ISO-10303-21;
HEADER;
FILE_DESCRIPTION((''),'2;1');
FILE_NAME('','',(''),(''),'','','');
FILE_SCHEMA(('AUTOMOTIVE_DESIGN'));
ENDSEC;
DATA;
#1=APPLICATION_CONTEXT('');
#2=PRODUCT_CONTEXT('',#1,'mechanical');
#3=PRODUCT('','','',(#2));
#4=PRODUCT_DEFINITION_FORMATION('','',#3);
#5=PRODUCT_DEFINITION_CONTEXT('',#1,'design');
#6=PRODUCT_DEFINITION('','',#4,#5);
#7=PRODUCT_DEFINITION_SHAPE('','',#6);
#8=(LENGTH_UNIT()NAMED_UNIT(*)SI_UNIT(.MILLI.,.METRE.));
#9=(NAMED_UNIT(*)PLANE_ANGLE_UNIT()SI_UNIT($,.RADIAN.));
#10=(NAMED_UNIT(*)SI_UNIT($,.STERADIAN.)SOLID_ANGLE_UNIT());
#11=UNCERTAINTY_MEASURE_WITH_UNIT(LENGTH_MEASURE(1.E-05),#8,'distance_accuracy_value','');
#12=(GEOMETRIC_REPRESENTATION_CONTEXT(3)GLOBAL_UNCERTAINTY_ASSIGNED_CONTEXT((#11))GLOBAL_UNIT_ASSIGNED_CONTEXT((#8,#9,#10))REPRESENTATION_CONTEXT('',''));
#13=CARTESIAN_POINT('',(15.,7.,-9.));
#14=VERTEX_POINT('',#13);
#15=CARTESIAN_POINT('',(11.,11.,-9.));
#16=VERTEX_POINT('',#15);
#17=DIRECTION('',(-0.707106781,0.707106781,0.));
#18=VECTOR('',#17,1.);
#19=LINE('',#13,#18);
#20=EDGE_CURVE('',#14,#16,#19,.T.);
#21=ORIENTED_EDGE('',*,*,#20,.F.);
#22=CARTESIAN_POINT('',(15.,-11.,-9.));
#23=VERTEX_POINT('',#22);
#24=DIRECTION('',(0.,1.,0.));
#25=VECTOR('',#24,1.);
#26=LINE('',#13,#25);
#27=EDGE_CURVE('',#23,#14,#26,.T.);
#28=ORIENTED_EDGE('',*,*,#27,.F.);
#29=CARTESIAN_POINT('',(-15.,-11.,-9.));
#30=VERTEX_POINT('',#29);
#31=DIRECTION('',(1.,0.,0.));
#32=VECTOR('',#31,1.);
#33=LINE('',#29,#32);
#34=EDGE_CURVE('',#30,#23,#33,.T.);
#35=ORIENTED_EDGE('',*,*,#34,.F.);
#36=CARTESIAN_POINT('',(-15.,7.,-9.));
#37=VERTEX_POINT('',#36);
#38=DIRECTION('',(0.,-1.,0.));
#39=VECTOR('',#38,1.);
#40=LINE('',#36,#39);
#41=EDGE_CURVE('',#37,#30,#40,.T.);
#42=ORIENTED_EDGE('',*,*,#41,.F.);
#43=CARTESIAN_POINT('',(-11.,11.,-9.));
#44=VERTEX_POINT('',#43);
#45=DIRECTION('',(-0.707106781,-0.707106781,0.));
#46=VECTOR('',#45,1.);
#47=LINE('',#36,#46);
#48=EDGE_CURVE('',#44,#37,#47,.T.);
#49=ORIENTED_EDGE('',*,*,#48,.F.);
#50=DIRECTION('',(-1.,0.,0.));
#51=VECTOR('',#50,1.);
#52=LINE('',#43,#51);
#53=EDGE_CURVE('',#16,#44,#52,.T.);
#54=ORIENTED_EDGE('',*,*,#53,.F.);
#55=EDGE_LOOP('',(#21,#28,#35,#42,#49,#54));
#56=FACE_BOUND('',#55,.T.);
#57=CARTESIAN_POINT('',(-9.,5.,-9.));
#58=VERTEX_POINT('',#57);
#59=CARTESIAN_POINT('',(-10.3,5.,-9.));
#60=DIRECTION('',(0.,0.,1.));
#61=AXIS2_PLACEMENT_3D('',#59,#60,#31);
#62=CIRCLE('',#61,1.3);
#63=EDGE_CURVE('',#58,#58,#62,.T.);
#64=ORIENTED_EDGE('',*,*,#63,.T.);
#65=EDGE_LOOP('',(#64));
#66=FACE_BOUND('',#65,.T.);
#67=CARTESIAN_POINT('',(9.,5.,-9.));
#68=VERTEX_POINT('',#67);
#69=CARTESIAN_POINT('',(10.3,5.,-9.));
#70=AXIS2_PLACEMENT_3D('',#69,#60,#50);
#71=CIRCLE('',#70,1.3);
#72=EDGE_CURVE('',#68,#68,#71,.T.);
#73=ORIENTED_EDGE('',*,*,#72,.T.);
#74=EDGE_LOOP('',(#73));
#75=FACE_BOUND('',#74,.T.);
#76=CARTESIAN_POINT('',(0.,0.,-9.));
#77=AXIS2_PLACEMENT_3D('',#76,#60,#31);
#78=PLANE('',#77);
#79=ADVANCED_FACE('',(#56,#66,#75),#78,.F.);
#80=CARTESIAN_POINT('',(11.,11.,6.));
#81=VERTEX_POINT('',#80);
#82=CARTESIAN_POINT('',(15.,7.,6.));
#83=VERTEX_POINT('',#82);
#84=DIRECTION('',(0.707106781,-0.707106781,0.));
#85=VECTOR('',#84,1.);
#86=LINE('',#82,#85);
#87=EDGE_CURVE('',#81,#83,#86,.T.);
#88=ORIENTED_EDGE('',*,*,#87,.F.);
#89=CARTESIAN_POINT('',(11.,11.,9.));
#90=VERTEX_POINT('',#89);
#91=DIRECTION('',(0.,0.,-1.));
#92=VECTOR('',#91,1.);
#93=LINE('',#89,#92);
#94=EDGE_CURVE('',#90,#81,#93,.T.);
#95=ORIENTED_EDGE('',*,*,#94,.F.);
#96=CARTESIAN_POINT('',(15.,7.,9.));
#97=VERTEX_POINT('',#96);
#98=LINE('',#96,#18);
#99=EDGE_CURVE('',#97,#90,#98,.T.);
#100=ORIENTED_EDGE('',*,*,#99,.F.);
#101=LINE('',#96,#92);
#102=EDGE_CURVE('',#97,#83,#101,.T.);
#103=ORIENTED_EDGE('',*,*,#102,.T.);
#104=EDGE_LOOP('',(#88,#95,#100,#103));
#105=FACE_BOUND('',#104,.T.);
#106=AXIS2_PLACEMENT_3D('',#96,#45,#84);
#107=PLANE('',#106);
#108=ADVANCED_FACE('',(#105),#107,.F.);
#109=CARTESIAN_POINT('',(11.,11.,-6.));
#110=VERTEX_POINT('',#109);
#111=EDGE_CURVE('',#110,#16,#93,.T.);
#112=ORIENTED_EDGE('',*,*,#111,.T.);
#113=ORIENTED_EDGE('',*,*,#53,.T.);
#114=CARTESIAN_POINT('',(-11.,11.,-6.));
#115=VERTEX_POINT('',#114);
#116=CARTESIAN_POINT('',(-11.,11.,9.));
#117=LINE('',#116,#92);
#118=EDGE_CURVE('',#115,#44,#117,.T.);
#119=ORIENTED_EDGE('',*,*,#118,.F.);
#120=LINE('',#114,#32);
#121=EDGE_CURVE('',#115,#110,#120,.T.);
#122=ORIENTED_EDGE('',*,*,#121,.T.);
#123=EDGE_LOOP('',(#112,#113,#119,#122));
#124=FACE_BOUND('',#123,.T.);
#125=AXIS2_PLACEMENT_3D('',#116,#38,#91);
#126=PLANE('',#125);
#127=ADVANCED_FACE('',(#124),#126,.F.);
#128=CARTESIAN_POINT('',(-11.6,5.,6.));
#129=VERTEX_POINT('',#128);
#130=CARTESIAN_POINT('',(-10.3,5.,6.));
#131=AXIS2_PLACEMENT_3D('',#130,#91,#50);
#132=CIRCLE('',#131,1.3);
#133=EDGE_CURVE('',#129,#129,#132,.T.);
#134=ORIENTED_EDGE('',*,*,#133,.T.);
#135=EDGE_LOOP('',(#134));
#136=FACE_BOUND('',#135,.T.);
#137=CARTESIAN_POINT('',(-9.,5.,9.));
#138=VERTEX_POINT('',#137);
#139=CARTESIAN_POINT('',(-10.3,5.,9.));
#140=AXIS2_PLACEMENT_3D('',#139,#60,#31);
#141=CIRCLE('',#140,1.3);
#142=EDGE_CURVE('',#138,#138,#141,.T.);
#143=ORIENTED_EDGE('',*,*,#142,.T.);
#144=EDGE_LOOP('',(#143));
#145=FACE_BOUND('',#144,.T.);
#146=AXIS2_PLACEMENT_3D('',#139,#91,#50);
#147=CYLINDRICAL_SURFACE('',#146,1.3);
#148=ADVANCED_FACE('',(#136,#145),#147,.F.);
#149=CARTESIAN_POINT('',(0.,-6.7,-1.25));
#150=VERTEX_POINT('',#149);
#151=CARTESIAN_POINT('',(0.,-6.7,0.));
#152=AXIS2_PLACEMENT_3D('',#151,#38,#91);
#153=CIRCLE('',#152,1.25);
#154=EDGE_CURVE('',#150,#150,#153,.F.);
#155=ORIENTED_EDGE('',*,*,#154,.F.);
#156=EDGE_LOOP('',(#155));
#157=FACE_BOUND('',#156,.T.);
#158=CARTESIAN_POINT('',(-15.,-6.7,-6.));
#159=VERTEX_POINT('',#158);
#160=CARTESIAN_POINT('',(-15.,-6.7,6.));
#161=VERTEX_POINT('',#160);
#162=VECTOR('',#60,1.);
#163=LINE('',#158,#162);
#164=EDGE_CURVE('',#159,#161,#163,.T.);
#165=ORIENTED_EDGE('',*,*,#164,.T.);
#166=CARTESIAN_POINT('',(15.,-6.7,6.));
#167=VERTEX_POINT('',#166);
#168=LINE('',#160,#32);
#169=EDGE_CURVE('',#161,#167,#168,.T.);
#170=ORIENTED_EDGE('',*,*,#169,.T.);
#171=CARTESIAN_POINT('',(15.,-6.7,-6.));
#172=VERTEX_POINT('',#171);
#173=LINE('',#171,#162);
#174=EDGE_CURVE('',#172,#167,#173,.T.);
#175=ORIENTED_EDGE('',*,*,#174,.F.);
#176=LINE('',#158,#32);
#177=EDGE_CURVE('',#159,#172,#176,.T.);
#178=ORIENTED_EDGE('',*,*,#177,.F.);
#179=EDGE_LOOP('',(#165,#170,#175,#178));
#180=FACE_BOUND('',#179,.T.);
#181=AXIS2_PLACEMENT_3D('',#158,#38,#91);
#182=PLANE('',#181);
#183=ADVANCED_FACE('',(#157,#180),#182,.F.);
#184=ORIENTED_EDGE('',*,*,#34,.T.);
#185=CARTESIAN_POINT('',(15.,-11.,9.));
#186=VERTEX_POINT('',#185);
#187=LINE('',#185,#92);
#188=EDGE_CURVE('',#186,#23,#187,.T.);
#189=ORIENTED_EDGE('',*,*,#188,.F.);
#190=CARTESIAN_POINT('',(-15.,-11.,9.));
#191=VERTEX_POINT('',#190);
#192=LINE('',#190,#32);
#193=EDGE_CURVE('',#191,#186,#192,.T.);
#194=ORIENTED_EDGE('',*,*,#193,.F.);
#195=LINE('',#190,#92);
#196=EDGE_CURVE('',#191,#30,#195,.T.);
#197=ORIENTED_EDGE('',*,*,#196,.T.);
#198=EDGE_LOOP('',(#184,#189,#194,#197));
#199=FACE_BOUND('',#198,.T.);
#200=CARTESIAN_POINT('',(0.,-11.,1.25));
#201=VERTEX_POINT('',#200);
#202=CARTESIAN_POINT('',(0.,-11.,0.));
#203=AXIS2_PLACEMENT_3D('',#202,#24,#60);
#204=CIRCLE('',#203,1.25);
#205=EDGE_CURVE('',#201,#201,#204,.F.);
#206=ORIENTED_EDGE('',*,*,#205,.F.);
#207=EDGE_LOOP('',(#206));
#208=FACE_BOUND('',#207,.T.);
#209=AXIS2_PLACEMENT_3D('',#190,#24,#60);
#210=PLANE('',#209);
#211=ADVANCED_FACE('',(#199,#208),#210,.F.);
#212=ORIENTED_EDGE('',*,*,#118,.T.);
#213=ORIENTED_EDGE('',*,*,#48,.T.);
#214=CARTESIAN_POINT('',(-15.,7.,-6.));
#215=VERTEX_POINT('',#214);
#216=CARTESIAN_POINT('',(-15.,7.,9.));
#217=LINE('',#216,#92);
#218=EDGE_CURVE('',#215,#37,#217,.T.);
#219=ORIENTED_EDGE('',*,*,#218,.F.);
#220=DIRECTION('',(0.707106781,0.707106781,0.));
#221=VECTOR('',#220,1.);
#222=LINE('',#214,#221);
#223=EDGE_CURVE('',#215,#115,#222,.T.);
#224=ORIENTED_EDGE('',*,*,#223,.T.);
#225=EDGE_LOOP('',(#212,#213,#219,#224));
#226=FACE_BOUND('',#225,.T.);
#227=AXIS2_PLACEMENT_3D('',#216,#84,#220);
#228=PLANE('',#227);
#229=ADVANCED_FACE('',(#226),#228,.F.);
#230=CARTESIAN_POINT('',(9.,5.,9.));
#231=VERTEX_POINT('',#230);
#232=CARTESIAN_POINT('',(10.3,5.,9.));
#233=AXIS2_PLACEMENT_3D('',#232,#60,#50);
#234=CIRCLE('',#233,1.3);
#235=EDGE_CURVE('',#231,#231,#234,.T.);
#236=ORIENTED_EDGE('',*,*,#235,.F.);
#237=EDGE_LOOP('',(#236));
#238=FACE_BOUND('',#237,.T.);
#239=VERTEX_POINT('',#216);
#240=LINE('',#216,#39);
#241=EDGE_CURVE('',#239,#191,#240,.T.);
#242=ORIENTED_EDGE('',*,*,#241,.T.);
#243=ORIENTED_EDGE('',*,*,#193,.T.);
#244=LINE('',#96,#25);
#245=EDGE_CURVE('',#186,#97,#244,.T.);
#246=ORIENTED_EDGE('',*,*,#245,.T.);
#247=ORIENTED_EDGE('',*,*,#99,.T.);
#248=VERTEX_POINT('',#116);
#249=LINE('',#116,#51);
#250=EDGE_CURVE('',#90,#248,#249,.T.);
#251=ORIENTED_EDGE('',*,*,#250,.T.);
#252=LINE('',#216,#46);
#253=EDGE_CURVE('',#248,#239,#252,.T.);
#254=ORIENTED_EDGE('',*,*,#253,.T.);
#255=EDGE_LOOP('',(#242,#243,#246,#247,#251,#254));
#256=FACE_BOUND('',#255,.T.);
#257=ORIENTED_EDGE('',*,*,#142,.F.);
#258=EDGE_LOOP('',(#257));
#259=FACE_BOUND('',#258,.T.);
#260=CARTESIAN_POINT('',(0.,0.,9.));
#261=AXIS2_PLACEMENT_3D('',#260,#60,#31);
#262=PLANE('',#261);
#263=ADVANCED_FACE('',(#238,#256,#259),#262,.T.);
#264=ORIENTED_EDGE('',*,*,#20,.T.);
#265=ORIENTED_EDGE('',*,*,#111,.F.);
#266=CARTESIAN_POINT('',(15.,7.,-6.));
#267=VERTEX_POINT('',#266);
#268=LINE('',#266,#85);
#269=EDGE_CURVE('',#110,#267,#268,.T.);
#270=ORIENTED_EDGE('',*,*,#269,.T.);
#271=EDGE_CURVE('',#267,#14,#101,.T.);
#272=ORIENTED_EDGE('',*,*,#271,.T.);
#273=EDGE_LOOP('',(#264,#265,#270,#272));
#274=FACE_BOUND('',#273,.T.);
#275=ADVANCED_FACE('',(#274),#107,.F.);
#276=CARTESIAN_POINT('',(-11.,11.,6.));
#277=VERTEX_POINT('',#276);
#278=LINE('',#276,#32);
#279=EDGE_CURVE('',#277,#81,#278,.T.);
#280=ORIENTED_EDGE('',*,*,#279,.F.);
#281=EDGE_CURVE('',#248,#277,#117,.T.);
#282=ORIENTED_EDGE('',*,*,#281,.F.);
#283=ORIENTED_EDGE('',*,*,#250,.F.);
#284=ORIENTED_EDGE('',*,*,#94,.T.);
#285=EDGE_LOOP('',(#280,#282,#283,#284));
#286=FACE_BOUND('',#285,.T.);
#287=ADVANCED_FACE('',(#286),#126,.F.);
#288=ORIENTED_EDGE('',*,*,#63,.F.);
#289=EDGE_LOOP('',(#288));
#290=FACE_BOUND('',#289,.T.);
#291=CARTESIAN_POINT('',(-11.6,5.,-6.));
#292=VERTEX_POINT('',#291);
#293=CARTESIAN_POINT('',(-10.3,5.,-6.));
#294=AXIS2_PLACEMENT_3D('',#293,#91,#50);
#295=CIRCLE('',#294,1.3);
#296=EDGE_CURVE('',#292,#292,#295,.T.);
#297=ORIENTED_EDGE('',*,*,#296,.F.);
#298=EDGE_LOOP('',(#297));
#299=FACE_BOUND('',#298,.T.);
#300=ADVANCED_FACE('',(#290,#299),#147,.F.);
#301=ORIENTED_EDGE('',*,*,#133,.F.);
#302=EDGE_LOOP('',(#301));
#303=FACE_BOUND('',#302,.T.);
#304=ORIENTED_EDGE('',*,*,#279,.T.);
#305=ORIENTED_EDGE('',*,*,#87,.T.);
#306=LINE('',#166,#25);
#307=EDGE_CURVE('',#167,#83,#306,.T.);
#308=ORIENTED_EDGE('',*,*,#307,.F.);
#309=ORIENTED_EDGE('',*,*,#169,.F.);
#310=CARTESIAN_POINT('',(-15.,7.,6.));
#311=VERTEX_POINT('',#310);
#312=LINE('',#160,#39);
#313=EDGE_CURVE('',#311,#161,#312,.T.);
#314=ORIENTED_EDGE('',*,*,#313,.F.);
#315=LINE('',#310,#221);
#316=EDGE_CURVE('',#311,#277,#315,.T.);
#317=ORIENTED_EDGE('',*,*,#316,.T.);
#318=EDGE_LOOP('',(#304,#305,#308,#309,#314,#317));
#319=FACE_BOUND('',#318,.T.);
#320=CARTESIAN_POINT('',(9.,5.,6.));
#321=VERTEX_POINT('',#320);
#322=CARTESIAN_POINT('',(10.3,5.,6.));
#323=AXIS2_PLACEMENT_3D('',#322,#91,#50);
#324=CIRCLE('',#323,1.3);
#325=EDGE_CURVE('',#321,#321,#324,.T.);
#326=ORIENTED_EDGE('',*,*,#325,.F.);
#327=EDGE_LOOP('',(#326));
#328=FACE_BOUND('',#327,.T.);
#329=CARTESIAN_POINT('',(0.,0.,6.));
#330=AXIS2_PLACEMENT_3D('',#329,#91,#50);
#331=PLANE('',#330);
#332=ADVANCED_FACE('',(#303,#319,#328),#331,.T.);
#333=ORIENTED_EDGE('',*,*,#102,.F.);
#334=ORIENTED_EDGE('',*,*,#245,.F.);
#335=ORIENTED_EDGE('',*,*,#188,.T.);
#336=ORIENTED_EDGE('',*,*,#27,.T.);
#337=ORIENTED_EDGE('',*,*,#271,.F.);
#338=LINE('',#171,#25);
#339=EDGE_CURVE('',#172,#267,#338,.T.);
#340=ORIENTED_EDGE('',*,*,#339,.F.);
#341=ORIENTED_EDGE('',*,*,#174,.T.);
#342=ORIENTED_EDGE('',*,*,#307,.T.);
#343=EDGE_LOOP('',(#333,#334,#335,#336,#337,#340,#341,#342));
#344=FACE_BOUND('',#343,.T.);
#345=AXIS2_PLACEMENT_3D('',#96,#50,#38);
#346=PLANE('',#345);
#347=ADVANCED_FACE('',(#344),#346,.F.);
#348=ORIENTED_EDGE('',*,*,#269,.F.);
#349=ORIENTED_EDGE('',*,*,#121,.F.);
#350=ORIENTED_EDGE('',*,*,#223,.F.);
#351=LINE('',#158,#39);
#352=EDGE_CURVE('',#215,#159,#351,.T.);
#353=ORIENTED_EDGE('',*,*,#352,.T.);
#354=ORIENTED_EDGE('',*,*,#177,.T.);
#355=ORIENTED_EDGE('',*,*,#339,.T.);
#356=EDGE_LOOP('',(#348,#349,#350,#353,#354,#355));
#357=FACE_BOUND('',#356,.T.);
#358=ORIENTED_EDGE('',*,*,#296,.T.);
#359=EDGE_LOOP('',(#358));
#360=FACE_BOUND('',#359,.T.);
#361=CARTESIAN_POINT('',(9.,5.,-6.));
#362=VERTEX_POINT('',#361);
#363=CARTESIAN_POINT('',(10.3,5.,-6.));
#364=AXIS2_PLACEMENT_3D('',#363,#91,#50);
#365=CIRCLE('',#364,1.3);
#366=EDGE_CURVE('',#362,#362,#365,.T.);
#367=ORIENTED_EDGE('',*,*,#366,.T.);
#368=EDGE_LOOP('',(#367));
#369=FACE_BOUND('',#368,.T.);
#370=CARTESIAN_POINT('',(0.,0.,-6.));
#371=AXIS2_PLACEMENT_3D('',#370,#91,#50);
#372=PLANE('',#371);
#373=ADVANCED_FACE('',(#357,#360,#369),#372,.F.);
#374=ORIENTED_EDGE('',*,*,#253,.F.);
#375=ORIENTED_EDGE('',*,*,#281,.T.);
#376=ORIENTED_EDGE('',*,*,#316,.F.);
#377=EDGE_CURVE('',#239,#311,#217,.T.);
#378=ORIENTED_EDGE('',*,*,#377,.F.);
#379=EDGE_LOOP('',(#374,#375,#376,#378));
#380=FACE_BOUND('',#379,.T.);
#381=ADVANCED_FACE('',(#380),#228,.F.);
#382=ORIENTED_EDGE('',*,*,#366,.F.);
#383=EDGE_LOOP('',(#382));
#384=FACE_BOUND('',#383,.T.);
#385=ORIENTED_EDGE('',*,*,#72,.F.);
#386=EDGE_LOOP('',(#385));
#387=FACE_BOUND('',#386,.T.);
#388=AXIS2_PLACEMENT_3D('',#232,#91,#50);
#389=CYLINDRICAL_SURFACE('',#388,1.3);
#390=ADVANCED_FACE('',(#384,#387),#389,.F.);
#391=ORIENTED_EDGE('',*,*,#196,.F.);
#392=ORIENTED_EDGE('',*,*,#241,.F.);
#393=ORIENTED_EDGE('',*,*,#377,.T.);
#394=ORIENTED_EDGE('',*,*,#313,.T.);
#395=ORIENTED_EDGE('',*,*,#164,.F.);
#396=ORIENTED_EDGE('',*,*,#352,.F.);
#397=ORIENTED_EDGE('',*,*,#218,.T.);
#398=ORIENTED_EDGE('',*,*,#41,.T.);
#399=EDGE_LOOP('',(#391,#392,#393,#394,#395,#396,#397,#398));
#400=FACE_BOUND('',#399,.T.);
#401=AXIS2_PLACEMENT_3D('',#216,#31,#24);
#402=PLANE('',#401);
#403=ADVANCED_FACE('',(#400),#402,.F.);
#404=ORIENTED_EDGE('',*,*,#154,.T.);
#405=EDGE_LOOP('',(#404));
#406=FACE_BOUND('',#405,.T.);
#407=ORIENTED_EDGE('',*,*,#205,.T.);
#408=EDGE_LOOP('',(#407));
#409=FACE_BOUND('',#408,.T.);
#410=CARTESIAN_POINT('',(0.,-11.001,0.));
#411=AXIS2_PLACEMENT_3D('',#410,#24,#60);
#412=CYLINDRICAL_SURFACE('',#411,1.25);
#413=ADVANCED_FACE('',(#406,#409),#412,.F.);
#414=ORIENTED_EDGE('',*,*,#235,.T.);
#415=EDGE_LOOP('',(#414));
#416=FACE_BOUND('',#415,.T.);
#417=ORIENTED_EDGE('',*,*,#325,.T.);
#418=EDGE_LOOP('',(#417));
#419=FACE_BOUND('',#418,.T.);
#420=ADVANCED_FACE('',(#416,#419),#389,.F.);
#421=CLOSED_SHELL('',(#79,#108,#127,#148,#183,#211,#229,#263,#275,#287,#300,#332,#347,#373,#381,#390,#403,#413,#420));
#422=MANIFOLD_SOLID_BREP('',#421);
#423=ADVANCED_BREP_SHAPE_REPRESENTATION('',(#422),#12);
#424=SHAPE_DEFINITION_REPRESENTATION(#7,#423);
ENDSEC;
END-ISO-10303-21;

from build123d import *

# Parameters (mm, degrees)
SKETCH_2_R          = 1.3
EXTRUDE_1_DEPTH     = 9
SKETCH_3_W          = 30
SKETCH_3_H          = 20.835575778
CUT_EXTRUDE_1_DEPTH = 6
CUT_EXTRUDE_2_REACH = 22.664
SKETCH_4_R          = 1.25


with BuildPart() as part:
    # 草图2 → 凸台-拉伸1 (new, symmetric)
    with BuildSketch(Plane.XY):
        Polygon((-11, 11), (11, 11), (15, 7), (15, -11), (-15, -11), (-15, 7), align=None)
        with Locations((-10.3, 5)):
            Circle(SKETCH_2_R, mode=Mode.SUBTRACT)
        with Locations(Location((10.3, 5, 0), (0, 0, 180))):
            Circle(SKETCH_2_R, mode=Mode.SUBTRACT)
    extrude(amount=EXTRUDE_1_DEPTH, both=True)

    # 草图3 → 切除-拉伸1 (cut, symmetric)
    with BuildSketch(Plane.XY):
        with Locations((0, 3.717787889)):
            Rectangle(SKETCH_3_W, SKETCH_3_H)
    extrude(amount=CUT_EXTRUDE_1_DEPTH, both=True, mode=Mode.SUBTRACT)

    # 草图4 → 切除-拉伸2 (cut, up to next)
    with BuildSketch(Plane(origin=(0, 0, 0), x_dir=(1, 0, 0), z_dir=(0, 1, 0)), mode=Mode.PRIVATE) as cut_extrude_2_sk1:
        with Locations(Location((0, 0, 0), (0, 0, 270))):
            Circle(SKETCH_4_R)
    cut_extrude_2_tool1 = extrude(cut_extrude_2_sk1.sketch, amount=-CUT_EXTRUDE_2_REACH, mode=Mode.PRIVATE) & part.part
    add(cut_extrude_2_tool1.solids().sort_by_distance((0, 0, 0))[0], mode=Mode.SUBTRACT)


solid = part.part
